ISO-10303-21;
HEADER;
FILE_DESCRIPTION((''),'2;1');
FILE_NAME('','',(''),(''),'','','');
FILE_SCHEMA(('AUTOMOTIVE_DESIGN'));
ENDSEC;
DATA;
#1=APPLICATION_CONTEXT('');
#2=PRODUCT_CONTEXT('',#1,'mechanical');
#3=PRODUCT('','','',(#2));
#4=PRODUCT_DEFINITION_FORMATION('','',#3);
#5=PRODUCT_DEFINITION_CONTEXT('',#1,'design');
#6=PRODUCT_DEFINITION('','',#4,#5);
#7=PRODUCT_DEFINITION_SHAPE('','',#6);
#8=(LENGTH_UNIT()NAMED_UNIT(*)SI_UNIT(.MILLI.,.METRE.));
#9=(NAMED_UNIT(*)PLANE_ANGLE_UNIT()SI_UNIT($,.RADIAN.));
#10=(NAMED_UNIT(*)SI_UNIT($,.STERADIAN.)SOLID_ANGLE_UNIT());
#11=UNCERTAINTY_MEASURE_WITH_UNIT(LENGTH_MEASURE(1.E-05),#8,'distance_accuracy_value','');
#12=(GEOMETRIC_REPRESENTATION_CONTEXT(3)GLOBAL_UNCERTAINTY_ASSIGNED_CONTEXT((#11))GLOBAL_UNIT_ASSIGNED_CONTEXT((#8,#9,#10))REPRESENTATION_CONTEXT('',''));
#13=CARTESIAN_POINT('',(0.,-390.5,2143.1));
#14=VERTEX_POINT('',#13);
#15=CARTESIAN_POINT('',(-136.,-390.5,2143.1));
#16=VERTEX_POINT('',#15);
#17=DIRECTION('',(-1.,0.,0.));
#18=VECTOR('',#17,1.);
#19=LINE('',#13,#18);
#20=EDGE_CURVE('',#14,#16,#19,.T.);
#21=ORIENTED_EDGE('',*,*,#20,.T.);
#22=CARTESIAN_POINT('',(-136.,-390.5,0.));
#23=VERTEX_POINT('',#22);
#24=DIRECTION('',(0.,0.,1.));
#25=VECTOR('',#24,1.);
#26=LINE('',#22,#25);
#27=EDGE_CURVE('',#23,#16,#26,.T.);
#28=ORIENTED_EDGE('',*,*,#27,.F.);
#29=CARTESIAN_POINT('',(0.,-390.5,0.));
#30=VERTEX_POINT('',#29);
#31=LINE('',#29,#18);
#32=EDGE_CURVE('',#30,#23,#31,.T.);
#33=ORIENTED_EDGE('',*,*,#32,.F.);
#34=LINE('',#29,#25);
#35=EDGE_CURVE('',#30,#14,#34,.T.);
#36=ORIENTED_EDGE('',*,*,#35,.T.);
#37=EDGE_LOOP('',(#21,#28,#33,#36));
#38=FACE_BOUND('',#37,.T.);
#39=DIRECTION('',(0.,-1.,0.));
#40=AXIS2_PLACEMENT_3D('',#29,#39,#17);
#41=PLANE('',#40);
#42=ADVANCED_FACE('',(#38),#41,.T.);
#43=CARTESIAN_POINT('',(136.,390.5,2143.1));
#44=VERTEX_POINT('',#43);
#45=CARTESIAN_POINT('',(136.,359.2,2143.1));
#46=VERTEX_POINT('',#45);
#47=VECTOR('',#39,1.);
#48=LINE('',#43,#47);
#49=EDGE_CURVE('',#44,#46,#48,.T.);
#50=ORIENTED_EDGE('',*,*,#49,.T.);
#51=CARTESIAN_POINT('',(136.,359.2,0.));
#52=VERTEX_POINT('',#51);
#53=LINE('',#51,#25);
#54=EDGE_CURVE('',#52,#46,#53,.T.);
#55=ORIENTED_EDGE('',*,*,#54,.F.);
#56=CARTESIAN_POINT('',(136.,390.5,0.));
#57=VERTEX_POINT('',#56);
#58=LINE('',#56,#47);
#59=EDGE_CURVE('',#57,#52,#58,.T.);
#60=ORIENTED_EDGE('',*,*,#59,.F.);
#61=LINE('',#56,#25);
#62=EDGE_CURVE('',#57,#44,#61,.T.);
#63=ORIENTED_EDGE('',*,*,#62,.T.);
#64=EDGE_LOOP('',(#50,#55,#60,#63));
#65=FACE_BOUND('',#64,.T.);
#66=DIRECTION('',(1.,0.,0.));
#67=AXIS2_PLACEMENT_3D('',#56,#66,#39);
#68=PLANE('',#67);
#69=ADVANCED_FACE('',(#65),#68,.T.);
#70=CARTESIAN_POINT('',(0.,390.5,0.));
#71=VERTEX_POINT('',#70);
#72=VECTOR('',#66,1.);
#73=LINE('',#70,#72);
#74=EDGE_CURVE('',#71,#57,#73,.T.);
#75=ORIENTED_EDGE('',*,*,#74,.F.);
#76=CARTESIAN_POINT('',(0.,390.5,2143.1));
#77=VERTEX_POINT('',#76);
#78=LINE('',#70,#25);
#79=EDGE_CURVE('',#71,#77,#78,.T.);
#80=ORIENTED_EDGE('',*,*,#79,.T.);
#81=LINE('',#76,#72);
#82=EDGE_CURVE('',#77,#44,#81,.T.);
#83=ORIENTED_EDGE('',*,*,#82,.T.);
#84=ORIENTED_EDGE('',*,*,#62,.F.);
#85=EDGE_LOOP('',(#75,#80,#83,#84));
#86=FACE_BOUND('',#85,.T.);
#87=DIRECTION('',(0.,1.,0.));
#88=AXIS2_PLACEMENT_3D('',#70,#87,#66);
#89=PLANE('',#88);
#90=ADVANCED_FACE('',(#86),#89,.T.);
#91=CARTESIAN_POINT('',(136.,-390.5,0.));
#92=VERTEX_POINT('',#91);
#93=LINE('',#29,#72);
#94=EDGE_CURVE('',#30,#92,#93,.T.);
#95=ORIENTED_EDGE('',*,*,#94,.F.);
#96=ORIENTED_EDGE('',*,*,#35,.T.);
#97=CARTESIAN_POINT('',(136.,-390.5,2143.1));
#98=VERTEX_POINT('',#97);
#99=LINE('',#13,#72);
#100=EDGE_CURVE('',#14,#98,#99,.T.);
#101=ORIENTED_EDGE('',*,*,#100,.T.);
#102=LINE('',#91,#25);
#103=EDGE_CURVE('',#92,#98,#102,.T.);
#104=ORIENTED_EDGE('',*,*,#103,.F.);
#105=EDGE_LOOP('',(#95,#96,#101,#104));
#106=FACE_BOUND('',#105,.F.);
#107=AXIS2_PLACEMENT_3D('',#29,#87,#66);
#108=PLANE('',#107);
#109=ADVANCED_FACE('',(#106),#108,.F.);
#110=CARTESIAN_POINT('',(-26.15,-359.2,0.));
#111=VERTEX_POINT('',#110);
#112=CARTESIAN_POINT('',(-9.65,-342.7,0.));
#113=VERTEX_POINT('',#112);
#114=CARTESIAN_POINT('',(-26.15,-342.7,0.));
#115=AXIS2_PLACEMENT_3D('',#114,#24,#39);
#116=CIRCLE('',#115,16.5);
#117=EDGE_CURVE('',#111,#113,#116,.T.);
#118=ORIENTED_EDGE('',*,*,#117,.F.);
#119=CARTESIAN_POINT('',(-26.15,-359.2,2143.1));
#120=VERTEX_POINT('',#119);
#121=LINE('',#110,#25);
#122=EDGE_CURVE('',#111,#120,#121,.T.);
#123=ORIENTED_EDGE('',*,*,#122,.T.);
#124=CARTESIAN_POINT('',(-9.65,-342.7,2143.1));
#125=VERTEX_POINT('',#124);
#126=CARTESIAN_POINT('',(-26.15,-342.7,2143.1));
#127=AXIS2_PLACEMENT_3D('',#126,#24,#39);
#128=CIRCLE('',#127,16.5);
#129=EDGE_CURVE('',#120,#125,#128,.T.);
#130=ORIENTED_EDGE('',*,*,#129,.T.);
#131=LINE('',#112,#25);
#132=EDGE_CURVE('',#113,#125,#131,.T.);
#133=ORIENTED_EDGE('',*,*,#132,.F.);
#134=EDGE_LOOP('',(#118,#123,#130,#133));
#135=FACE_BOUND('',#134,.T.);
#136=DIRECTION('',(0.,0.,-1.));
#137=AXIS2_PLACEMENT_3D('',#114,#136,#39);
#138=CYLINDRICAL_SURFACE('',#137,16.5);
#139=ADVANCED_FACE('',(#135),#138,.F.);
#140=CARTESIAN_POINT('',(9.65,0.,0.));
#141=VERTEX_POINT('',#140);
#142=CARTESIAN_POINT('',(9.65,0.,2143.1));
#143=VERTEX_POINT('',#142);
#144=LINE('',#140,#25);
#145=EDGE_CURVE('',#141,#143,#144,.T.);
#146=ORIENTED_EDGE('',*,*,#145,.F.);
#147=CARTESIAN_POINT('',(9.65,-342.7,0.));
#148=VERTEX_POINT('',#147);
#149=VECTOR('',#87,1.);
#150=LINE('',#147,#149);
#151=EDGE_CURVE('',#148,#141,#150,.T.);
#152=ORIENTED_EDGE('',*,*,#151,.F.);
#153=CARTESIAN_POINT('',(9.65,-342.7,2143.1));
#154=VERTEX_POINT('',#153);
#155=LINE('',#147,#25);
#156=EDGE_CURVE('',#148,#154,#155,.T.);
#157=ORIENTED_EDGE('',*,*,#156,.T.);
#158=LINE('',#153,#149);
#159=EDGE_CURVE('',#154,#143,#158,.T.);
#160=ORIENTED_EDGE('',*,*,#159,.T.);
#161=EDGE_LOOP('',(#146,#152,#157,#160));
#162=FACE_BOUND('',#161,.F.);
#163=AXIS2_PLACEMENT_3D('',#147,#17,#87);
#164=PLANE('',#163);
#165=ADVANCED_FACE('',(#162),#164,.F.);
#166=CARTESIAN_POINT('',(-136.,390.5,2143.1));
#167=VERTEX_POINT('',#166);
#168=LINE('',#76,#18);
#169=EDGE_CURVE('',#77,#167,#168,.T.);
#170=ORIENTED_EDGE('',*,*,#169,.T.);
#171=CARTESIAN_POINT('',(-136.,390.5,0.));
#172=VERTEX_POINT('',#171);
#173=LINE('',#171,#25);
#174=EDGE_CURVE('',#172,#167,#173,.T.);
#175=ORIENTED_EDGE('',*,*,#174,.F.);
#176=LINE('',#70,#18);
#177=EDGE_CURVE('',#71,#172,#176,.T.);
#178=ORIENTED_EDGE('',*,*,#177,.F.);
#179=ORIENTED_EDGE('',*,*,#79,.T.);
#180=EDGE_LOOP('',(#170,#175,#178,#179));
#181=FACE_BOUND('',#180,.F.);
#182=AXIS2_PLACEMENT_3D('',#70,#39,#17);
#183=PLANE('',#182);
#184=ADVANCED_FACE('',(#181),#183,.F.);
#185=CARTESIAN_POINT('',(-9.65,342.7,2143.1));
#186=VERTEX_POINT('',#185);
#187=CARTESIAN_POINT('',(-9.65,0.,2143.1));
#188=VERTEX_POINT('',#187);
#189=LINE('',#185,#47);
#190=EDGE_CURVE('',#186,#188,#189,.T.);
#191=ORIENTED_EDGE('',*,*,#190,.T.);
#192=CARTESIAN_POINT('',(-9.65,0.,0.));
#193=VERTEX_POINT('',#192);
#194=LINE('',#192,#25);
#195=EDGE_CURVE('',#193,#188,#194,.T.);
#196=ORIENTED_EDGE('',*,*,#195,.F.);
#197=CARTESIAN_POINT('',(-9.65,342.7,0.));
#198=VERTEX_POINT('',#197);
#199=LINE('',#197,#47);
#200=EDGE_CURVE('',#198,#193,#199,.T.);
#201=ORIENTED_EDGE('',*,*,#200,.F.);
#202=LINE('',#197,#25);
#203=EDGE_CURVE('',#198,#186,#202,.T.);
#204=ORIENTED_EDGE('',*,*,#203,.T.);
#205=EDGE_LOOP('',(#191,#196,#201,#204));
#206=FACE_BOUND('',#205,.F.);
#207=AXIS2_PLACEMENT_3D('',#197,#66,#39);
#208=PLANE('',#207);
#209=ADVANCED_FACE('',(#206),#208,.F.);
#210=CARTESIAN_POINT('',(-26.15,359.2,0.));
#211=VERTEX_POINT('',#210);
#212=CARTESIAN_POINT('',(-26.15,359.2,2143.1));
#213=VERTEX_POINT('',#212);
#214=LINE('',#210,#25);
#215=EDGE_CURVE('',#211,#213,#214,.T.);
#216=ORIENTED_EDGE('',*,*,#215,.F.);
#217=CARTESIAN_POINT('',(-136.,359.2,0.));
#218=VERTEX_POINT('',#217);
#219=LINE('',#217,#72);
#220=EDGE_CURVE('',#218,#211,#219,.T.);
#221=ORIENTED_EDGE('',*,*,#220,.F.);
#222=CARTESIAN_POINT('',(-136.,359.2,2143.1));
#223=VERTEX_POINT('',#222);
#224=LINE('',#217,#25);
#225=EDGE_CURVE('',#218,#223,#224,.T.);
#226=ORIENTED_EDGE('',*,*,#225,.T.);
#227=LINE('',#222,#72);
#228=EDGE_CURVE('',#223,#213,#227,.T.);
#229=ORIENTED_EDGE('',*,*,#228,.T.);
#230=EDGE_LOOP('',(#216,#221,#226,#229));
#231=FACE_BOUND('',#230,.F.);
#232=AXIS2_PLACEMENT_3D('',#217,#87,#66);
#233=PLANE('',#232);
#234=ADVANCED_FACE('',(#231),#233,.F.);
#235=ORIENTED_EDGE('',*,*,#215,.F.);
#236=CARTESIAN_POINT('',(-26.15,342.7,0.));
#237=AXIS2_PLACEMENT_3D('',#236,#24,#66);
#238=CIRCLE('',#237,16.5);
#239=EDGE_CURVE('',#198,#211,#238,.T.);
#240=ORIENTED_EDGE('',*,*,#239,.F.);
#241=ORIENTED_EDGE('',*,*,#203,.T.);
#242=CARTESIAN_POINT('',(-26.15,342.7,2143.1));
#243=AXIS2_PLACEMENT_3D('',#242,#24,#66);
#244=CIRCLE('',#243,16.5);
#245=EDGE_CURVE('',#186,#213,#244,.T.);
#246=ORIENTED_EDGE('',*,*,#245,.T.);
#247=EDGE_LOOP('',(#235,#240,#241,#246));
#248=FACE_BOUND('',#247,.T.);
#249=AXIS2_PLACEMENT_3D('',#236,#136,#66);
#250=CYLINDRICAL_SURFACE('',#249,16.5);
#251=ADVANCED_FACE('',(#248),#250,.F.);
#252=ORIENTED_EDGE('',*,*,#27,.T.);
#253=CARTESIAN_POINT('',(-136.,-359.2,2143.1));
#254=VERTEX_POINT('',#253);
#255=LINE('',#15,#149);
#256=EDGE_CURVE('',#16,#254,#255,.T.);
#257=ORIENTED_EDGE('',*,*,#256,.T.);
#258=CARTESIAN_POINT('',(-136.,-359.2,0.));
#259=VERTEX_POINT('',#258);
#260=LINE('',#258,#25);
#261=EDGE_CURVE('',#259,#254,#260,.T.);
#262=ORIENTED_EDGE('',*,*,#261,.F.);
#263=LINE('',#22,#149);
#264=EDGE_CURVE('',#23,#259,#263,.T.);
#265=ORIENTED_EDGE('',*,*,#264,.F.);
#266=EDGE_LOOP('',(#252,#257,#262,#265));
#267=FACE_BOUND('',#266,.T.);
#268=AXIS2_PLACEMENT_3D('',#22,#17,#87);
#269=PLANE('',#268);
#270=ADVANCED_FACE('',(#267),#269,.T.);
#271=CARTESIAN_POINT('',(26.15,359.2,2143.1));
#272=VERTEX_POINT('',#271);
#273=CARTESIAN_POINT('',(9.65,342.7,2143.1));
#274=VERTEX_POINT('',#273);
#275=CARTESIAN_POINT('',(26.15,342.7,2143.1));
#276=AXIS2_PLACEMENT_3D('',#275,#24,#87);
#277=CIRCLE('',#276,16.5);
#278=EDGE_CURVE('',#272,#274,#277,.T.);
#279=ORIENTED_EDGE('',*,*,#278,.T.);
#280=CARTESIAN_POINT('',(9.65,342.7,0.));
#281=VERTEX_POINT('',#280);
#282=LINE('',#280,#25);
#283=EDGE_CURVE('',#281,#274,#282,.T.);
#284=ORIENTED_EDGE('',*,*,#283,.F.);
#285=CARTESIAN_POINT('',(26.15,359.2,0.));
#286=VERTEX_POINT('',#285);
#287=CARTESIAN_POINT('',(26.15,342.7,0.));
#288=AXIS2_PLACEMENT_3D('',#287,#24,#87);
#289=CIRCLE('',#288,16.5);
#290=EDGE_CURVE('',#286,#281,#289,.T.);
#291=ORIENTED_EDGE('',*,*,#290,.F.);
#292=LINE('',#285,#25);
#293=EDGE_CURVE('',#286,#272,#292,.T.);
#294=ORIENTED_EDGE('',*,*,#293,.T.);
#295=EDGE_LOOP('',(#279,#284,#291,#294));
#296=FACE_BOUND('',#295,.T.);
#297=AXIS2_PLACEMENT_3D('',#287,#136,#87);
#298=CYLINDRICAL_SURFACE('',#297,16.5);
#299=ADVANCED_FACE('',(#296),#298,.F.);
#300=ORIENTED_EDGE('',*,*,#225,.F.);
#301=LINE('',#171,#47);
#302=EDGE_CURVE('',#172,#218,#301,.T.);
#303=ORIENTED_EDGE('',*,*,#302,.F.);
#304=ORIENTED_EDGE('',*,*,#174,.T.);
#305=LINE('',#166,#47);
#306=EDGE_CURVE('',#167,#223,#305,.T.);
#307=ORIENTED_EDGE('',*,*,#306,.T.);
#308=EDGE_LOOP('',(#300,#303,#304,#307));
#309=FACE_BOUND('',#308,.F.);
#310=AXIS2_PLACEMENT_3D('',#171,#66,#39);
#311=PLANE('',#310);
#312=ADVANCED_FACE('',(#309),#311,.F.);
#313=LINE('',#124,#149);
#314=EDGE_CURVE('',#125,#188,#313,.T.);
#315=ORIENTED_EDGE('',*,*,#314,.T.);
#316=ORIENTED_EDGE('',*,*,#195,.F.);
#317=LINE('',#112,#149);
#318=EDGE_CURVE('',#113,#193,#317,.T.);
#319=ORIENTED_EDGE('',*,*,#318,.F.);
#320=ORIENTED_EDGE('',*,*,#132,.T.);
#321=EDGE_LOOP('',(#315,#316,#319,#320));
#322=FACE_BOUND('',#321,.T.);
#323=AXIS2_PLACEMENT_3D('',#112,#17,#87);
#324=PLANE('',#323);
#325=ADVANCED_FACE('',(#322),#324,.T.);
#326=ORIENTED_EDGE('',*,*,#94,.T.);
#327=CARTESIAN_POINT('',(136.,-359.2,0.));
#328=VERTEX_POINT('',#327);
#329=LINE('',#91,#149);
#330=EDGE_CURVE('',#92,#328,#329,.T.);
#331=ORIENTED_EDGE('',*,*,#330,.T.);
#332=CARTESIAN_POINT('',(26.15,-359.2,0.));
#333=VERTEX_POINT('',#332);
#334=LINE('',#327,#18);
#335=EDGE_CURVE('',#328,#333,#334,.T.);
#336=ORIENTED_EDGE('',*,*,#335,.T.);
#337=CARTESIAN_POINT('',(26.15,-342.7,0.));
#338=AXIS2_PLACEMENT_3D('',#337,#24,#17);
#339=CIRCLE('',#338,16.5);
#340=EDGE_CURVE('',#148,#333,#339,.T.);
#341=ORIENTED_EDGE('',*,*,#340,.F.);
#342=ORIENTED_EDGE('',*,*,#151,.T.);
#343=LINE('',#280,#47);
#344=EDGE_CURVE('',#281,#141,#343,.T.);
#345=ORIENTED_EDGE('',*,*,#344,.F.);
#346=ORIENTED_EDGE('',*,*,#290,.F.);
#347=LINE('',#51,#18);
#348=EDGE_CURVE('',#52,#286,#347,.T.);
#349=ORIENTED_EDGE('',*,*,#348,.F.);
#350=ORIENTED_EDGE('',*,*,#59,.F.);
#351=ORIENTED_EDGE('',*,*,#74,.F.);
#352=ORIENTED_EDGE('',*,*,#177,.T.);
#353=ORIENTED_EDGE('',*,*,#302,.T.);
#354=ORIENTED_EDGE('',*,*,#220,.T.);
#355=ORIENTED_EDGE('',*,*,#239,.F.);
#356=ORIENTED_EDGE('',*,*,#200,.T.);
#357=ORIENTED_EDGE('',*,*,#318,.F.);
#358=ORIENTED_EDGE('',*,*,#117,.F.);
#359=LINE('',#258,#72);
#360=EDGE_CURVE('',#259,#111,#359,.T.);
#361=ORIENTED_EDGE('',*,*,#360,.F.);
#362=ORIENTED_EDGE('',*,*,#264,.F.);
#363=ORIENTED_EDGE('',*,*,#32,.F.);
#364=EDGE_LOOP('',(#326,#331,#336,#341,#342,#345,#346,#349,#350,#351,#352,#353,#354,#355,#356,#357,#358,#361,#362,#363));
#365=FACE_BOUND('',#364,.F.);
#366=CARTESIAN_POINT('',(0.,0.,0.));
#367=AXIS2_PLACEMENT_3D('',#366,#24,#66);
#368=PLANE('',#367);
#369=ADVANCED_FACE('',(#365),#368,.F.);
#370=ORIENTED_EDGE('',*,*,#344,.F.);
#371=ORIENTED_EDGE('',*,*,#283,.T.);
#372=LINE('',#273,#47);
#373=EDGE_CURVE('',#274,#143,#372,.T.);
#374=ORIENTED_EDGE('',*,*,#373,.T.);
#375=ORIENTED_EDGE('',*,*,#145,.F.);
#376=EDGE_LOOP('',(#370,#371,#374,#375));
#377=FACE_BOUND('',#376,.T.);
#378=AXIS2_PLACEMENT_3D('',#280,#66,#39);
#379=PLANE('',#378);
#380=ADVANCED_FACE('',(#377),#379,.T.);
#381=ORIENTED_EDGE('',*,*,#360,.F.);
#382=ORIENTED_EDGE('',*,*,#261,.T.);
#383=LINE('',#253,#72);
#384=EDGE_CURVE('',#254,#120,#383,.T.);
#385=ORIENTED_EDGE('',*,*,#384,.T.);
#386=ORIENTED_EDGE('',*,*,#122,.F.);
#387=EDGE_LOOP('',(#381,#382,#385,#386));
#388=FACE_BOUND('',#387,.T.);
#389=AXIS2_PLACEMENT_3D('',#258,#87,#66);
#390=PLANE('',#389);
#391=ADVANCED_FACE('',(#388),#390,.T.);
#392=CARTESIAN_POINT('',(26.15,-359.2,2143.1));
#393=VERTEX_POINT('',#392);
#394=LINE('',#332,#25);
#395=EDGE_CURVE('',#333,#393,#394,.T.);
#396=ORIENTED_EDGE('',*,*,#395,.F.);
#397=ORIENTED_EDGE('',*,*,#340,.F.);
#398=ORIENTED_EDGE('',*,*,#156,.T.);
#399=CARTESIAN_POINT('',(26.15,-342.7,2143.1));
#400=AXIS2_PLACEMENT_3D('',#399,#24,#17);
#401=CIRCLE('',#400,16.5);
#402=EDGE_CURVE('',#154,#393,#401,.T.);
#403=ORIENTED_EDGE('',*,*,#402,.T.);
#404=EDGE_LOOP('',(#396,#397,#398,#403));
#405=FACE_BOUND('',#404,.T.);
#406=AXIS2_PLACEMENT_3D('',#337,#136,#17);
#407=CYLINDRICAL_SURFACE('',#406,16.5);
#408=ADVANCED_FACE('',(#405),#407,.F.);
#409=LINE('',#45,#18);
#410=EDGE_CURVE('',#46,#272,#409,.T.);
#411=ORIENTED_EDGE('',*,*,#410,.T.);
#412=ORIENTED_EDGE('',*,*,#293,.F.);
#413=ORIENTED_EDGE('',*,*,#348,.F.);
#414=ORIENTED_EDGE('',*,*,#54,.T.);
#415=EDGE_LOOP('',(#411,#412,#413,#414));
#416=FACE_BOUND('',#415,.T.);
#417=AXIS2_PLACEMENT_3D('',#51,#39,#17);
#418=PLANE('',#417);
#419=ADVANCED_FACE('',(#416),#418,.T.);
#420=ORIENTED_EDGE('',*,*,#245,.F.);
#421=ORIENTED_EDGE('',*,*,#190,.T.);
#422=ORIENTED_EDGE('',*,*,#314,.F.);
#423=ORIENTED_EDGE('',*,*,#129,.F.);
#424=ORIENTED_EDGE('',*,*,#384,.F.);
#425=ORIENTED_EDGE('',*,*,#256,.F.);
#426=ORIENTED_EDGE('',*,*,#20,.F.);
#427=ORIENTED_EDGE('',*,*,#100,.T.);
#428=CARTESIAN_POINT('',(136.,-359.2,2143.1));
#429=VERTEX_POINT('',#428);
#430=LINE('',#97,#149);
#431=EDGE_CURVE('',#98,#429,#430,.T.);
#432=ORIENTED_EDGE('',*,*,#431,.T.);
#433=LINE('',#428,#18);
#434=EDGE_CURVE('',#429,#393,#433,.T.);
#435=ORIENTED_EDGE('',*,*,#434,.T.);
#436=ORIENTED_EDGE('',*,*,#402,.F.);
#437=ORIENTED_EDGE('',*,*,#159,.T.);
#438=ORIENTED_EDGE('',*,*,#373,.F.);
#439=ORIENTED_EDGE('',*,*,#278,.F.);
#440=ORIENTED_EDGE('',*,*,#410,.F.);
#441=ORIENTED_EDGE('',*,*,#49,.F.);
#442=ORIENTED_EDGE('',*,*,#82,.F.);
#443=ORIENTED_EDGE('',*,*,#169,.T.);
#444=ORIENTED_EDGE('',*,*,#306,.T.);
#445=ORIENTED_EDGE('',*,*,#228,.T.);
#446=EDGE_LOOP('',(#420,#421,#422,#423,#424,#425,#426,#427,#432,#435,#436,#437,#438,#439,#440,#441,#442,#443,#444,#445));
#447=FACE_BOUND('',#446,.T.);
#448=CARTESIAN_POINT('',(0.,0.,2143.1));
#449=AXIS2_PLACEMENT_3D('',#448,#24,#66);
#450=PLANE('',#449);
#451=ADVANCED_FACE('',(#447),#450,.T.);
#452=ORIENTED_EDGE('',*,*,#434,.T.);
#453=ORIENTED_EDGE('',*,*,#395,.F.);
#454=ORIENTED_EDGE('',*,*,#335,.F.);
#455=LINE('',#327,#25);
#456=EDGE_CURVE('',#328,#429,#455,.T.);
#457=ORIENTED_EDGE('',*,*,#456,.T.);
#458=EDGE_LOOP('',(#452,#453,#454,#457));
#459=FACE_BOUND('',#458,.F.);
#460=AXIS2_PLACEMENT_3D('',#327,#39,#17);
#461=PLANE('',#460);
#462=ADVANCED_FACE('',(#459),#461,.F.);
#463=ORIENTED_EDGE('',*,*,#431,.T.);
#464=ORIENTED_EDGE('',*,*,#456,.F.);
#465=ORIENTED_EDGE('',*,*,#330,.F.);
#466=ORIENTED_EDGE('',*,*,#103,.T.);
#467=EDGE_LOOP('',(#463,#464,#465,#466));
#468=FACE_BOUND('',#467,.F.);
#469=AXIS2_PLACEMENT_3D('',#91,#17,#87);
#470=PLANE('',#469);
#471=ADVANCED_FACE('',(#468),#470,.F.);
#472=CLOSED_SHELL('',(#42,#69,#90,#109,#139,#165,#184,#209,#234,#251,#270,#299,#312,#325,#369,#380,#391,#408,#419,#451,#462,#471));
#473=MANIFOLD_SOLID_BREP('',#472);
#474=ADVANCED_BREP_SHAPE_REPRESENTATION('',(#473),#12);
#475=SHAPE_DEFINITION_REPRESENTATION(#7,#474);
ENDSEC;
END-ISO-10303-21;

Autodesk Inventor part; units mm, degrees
ref_plane "YZ Plane" through (0, 0, 0) normal (1, 0, 0) x (0, 1, 0)
ref_plane "Start plane" through (0, 0, 0) normal (0, 0, 1) x (1, 0, 0)
ref_plane "End plane" through (0, 0, 2143.1) normal (0, 0, 1) x (1, 0, 0)
sketch "Sketch" plane through (0, 0, 0) normal (0, 0, 1) x (1, 0, 0)
  line L0 (-136, -390.5) -> (-136, -359.2)
  line L1 (-136, -359.2) -> (-26.15, -359.2)
  line L2 (-9.65, -342.7) -> (-9.65, 0)
  line L3 (-9.65, 0) -> (0, 0) construction
  line L4 (0, 0) -> (0, -390.5) construction
  line L5 (0, -390.5) -> (-136, -390.5)
  line L6 (-60, 0) -> (80, 0) construction
  line L7 (0, -60) -> (0, 80) construction
  line L8 (136, -390.5) -> (136, -359.2)
  line L9 (136, -359.2) -> (26.15, -359.2)
  line L10 (9.65, -342.7) -> (9.65, 0)
  line L11 (9.65, 0) -> (0, 0) construction
  line L12 (0, -390.5) -> (136, -390.5)
  line L13 (-136, 390.5) -> (-136, 359.2)
  line L14 (-136, 359.2) -> (-26.15, 359.2)
  line L15 (-9.65, 342.7) -> (-9.65, 0)
  line L16 (0, 390.5) -> (-136, 390.5)
  line L17 (136, 390.5) -> (136, 359.2)
  line L18 (136, 359.2) -> (26.15, 359.2)
  line L19 (0, 390.5) -> (136, 390.5)
  line L20 (9.65, 342.7) -> (9.65, 0)
  arc A0 (-9.65, 342.7) -> (-26.15, 359.2) centre (-26.15, 342.7) ccw
  arc A1 (26.15, 359.2) -> (9.65, 342.7) centre (26.15, 342.7) ccw
  arc A2 (9.65, -342.7) -> (26.15, -359.2) centre (26.15, -342.7) ccw
  arc A3 (-26.15, -359.2) -> (-9.65, -342.7) centre (-26.15, -342.7) ccw
  line L21 (0, 108) -> (0, -88) construction
  line L22 (-88, 0) -> (108, 0) construction
  point P0 (-9.65, -359.2)
  point P1 (9.65, -359.2)
  point P2 (-9.65, 359.2)
  point P3 (9.65, 359.2)
  dimension "d1" = 390.5
  dimension "d2" = 31.3
  dimension "d3" = 136
  dimension "d4" = 9.65
  dimension "d10" = 16.5
extrude "Body" add sketch "Sketch" along normal up to surface (2143.1 mm away) from surface at 0
sketch "Sketch4" plane through (0, 0, 0) normal (0, 0, 1) x (1, 0, 0)
  line L0 (0, 0) -> (10, 0)
ref_plane "Work Plane3" through (0, 0, 0) normal (0, -1, 0) x (1, 0, 0)
sketch "Sketch5" plane through (0, 0, 0) normal (0, -1, 0) x (1, 0, 0)
  line L0 (-2, 0) -> (12, 0) projected
  line L1 (-2, 2143.1) -> (12, 2143.1) projected
  dimension "d14" = 2143.1
equation "\"d1\" = 0.5 * G_H"
equation "\"d2\" = G_T1"
equation "\"d3\" = 0.5 * G_W"
equation "\"d4\" = 0.5 * G_T"
equation "\"d10\" = G_IR"
equation "\"d5\" = G_L"
equation "\"G_W\" = 272"
equation "\"G_H\" = 781"
equation "\"G_T\" = 19.3"
equation "\"G_T1\" = 31.3"
equation "\"G_IR\" = 16.5"
equation "\"G_L\" = d14"
equation "\"G_OFFSET_START\" = 0"
equation "\"G_OFFSET_END\" = 0"
equation "\"d12\" = G_OFFSET_END + B_L"
equation "\"B_L\" = 2143.1"
properties part number "AS 3679-1990 - 760 UB - 244 - 2143.1" material "Steel, Mild"
